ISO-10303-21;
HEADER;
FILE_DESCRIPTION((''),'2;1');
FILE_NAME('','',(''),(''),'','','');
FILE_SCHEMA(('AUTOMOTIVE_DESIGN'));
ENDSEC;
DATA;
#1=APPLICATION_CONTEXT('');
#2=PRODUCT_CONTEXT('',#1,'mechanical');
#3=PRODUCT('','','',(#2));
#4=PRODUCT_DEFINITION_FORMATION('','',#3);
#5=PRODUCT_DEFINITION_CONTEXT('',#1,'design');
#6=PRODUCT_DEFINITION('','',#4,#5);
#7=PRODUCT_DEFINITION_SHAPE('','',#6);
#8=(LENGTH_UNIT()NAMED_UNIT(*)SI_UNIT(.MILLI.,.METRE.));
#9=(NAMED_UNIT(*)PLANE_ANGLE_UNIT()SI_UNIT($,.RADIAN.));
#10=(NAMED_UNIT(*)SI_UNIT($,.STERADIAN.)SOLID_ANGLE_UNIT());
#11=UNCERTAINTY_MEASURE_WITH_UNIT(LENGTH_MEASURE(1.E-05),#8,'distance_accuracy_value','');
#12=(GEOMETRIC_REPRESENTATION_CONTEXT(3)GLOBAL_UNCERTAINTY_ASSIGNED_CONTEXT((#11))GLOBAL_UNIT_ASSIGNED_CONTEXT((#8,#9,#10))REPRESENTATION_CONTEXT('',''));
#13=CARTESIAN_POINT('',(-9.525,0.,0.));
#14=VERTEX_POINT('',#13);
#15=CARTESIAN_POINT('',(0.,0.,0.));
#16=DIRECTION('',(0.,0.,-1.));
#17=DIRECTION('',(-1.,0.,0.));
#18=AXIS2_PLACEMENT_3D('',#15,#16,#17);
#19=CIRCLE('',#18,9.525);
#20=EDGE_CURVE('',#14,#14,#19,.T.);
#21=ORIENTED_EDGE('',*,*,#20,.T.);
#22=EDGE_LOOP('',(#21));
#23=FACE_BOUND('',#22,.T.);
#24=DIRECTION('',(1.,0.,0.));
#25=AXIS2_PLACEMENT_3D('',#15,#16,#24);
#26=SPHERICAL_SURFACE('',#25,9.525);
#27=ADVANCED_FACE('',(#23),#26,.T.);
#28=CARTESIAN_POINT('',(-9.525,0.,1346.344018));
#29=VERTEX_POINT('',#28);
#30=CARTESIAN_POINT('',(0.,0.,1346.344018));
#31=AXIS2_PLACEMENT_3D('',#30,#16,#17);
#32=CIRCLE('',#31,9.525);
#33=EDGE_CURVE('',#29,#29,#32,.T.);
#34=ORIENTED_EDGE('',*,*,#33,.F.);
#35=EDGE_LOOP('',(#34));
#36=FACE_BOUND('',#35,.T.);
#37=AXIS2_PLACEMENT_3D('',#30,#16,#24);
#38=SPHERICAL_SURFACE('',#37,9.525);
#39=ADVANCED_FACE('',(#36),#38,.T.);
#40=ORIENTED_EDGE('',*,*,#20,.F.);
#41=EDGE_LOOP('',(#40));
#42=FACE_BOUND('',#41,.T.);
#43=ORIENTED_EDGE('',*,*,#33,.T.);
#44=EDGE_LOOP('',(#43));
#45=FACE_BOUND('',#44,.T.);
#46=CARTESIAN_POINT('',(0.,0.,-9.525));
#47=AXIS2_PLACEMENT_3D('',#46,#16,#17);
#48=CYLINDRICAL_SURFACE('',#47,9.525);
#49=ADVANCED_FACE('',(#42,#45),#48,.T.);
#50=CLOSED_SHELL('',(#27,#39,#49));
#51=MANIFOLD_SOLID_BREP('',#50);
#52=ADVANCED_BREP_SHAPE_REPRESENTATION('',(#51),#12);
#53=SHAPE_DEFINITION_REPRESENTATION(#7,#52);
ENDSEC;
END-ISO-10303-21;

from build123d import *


with BuildPart() as part:
    # Sketch1 → Revolve1 (revolve)
    with BuildSketch(Plane(origin=(0, 0, 0), x_dir=(1, 0, 0), z_dir=(0, 1, 0))):
        with BuildLine():
            Line((9.525, 0), (9.525, -1346.344018))
            ThreePointArc((9.525, -1346.344018), (6.735192091, -1353.079210091), (0, -1355.869018))
            Line((0, -1355.869018), (0, 9.525))
            ThreePointArc((0, 9.525), (6.735192091, 6.735192091), (9.525, 0))
        make_face()
    revolve(axis=Axis((0, 0, -9.525), (0, 0, 1)))


solid = part.part
